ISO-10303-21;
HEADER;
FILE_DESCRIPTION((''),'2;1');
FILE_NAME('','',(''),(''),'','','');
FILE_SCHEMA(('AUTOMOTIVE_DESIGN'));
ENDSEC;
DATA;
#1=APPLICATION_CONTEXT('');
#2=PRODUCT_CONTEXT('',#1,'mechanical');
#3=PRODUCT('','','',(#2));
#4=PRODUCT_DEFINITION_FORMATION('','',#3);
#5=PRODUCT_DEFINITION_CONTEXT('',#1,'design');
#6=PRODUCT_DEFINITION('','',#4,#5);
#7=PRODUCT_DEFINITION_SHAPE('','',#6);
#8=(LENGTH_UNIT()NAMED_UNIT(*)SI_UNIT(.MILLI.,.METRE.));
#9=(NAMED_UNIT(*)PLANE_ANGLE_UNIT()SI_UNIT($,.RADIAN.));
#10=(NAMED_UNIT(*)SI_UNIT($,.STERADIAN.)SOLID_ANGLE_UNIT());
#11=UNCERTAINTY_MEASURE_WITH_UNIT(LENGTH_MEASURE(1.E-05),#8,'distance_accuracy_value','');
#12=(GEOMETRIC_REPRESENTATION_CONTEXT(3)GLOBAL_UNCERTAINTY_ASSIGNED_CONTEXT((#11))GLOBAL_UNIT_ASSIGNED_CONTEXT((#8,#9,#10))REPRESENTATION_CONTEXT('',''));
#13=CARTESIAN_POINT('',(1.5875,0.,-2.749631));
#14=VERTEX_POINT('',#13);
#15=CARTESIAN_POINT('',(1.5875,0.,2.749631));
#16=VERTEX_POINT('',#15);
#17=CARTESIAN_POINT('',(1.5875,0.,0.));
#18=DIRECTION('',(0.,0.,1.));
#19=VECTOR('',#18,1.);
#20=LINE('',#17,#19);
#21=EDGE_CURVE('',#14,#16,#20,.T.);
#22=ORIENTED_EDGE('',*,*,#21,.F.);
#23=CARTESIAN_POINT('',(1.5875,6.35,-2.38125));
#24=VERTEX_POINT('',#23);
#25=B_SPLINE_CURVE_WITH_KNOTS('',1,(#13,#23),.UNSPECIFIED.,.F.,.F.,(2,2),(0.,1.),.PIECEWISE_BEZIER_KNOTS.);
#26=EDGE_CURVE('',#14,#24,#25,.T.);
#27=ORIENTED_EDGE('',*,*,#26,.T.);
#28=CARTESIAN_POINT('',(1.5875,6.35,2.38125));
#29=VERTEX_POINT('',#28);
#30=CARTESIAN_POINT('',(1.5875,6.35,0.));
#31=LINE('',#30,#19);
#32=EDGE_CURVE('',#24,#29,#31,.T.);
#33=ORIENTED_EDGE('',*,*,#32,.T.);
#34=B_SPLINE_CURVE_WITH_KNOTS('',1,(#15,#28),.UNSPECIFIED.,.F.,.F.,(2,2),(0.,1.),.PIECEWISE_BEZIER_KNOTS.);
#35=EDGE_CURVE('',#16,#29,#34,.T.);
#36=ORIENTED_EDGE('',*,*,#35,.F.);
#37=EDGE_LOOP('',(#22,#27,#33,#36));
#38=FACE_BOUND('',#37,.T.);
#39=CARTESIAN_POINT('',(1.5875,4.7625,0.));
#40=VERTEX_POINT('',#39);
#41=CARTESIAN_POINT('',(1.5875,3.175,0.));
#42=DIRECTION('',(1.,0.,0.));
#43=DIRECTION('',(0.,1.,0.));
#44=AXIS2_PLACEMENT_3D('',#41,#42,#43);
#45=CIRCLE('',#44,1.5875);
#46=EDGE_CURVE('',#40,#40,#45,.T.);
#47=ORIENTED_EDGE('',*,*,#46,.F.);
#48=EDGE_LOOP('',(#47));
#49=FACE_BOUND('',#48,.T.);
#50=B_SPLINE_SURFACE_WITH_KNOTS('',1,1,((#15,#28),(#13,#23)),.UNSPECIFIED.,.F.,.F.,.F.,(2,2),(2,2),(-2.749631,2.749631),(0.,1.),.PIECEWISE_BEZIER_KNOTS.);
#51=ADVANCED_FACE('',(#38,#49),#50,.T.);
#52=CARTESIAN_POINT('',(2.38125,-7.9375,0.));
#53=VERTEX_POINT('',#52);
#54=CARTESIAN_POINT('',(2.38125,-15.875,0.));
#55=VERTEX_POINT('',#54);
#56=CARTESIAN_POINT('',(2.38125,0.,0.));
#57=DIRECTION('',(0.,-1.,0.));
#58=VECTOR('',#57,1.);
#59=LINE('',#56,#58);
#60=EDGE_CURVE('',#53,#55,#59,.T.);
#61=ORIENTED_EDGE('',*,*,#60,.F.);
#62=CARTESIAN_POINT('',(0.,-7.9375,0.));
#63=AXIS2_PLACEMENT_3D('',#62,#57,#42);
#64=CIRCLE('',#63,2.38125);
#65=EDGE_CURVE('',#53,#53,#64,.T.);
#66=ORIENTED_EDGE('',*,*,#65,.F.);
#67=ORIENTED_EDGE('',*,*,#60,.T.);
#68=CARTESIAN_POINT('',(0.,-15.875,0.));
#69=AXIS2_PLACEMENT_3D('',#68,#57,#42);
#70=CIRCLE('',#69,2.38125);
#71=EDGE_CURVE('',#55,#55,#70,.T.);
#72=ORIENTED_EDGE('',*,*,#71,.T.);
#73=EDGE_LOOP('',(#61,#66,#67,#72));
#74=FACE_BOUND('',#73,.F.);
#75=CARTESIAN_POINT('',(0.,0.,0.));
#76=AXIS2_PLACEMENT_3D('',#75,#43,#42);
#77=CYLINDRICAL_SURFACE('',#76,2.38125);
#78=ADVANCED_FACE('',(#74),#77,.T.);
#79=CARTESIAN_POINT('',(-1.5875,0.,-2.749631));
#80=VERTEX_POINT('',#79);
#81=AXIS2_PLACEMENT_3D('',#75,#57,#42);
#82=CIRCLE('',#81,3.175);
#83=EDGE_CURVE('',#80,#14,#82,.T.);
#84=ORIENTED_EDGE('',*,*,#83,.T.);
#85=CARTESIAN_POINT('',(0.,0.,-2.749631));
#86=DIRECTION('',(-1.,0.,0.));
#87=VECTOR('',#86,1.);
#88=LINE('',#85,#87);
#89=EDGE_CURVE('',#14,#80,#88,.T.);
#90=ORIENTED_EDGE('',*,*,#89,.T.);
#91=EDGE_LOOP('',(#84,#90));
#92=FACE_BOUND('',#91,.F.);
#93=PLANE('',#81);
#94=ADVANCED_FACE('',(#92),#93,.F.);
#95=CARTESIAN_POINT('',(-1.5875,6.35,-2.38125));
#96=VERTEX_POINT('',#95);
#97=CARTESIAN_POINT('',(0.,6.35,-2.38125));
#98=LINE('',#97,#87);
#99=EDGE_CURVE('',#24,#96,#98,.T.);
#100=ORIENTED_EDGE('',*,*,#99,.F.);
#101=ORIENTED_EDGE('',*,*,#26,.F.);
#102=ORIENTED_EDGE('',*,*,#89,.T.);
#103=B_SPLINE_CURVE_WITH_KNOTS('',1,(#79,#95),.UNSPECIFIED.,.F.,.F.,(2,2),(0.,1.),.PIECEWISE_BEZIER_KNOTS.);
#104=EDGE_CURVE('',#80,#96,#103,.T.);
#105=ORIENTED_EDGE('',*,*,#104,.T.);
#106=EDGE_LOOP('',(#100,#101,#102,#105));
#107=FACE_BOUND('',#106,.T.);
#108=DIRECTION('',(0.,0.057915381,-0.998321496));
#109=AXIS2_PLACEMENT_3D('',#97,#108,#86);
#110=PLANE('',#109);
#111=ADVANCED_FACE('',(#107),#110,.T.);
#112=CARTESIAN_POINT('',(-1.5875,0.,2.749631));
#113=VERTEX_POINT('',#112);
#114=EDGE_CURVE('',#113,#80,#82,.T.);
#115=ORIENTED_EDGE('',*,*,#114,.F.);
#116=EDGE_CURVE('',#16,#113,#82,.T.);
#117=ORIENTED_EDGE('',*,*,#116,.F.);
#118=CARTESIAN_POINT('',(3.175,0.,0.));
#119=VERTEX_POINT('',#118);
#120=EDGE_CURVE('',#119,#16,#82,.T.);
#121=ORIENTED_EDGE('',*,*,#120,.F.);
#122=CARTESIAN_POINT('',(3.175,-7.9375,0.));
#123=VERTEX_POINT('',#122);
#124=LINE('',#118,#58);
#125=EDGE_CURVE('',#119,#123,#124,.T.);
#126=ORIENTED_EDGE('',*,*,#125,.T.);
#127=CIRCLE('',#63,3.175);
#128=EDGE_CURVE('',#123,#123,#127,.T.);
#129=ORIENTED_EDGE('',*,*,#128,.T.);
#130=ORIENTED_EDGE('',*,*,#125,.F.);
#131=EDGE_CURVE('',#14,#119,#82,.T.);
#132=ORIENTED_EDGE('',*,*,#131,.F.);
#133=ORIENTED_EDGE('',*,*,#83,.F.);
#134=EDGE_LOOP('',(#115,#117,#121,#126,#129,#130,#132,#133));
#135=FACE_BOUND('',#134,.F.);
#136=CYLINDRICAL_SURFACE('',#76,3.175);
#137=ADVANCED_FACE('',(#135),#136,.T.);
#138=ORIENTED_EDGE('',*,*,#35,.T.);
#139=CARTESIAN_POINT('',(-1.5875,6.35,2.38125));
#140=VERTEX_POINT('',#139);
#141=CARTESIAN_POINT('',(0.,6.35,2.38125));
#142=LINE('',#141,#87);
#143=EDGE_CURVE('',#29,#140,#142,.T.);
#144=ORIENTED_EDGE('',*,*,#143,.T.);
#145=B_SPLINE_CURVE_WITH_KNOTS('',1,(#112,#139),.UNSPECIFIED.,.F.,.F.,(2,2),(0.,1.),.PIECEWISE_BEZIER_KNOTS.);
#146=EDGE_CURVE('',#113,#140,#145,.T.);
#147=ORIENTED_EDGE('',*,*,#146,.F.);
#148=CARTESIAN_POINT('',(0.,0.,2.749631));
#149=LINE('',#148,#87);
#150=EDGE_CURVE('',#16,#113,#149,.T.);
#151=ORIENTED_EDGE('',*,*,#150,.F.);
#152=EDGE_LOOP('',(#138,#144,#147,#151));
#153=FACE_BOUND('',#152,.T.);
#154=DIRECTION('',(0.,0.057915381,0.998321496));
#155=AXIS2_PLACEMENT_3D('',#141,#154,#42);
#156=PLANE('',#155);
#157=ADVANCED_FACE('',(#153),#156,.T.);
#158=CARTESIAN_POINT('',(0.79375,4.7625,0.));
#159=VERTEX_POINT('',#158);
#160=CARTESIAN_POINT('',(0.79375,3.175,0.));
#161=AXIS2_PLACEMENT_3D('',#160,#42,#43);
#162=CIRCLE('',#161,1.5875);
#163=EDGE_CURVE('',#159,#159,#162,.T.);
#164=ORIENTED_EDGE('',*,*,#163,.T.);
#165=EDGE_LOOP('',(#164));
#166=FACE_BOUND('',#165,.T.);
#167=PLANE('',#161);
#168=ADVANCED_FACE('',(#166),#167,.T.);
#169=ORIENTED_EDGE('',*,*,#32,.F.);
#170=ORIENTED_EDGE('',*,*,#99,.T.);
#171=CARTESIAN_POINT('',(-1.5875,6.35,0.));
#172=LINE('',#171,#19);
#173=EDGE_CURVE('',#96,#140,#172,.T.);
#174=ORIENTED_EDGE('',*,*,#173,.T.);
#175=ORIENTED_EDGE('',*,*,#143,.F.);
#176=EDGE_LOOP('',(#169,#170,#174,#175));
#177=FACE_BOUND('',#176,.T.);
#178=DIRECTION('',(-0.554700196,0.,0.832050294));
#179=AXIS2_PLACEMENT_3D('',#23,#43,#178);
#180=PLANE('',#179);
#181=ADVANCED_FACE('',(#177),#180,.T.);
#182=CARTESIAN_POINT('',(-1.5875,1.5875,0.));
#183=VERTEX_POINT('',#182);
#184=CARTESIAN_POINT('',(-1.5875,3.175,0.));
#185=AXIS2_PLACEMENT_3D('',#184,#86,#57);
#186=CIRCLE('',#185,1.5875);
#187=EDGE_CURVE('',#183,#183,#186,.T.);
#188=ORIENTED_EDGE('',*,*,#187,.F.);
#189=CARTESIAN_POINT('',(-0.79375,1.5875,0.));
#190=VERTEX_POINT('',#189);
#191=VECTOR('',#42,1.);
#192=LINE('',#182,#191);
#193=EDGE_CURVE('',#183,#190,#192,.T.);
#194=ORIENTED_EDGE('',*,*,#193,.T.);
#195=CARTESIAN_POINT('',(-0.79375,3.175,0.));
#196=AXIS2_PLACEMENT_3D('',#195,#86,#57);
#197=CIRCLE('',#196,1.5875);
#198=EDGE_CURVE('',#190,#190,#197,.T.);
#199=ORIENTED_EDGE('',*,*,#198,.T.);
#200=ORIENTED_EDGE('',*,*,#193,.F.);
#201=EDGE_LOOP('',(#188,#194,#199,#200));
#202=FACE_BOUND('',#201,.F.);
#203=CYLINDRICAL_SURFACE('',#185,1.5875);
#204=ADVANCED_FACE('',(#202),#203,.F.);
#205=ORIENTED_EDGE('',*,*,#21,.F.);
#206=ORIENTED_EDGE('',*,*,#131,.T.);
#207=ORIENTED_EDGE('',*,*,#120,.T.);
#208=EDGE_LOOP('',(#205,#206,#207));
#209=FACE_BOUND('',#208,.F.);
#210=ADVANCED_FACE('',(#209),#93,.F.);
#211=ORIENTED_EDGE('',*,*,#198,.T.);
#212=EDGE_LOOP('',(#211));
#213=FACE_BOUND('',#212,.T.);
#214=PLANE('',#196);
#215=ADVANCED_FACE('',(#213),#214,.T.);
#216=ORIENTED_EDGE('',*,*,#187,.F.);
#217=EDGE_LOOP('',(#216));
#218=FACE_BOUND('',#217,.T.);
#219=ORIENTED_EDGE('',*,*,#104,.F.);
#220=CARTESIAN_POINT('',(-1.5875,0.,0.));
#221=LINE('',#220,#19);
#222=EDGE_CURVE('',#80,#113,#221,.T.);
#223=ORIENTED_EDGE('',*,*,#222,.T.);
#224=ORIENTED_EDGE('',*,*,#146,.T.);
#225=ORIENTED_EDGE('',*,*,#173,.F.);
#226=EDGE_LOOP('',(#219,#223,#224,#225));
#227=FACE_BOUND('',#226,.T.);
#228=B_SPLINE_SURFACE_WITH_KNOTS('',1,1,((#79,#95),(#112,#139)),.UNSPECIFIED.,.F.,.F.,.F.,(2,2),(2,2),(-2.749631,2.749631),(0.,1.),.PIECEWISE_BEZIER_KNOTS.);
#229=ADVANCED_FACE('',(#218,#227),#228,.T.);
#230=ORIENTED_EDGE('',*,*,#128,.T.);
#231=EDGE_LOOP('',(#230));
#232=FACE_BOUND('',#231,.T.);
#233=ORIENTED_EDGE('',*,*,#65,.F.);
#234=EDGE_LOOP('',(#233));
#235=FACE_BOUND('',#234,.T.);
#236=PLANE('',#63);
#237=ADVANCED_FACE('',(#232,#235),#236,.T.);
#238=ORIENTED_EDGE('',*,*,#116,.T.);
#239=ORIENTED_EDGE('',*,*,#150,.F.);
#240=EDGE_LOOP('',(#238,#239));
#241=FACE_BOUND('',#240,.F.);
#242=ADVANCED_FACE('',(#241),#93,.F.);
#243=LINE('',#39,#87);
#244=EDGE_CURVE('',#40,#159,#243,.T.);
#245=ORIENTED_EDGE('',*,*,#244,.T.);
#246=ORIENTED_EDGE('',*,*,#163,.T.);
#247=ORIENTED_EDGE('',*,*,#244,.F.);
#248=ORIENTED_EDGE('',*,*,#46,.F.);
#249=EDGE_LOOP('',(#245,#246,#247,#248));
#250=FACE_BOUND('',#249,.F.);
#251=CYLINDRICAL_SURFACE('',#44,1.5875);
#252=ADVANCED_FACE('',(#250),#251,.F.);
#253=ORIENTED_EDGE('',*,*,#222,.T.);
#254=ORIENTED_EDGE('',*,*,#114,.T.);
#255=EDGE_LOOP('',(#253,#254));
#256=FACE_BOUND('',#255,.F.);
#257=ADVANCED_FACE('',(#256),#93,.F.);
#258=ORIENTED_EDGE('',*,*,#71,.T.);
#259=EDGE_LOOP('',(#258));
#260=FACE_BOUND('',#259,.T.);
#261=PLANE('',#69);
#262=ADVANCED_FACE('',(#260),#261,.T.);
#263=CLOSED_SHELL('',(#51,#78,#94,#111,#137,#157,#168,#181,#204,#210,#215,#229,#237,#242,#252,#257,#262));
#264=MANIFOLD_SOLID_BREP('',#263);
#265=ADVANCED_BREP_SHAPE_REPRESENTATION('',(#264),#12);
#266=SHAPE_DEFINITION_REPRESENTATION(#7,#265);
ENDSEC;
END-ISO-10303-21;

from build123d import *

# Parameters (mm, degrees)
F0_R      = 3.175
F0_R_2    = 2.38125
F1_DEPTH  = 7.9375
F2_DEPTH  = 15.875
F3_W      = 3.175
F3_H      = 5.499262
F5_W      = 3.175
F5_H      = 4.7625
F7_R      = 1.5875
F8_DEPTH  = 0.79375
F9_R      = 1.5875
F10_DEPTH = 0.79375


with BuildPart() as f1:
    # F0 (on Front) → F1 (new body)
    with BuildSketch(Plane.XZ):
        Circle(F0_R)
        Circle(F0_R_2, mode=Mode.SUBTRACT)
    extrude(amount=F1_DEPTH)

    # F0 (on Front) → F2 (join)
    with BuildSketch(Plane.XZ):
        Circle(F0_R_2)
    extrude(amount=F2_DEPTH)

    # F3 (on face) → F6 section 0
    with BuildSketch(Plane(origin=(0, 0, 0), x_dir=(-1, 0, 0), z_dir=(0, 1, 0))):
        Rectangle(F3_W, F3_H)
    # F5 (on offset) → F6 section 1
    with BuildSketch(Plane(origin=(0, 6.35, 0), x_dir=(-1, 0, 0), z_dir=(0, 1, 0))):
        Rectangle(F5_W, F5_H)
    loft()

    # F7 (on face) → F8 (cut)
    with BuildSketch(Plane.YZ.offset(1.5875)):
        with Locations((3.175, 0)):
            Circle(F7_R)
    extrude(amount=-F8_DEPTH, mode=Mode.SUBTRACT)

    # F9 (on face) → F10 (cut)
    with BuildSketch(Plane(origin=(-1.5875, 0, 0), x_dir=(0, -1, 0), z_dir=(-1, 0, 0))):
        with Locations((-3.175, 0)):
            Circle(F9_R)
    extrude(amount=-F10_DEPTH, mode=Mode.SUBTRACT)


solid = f1.part
